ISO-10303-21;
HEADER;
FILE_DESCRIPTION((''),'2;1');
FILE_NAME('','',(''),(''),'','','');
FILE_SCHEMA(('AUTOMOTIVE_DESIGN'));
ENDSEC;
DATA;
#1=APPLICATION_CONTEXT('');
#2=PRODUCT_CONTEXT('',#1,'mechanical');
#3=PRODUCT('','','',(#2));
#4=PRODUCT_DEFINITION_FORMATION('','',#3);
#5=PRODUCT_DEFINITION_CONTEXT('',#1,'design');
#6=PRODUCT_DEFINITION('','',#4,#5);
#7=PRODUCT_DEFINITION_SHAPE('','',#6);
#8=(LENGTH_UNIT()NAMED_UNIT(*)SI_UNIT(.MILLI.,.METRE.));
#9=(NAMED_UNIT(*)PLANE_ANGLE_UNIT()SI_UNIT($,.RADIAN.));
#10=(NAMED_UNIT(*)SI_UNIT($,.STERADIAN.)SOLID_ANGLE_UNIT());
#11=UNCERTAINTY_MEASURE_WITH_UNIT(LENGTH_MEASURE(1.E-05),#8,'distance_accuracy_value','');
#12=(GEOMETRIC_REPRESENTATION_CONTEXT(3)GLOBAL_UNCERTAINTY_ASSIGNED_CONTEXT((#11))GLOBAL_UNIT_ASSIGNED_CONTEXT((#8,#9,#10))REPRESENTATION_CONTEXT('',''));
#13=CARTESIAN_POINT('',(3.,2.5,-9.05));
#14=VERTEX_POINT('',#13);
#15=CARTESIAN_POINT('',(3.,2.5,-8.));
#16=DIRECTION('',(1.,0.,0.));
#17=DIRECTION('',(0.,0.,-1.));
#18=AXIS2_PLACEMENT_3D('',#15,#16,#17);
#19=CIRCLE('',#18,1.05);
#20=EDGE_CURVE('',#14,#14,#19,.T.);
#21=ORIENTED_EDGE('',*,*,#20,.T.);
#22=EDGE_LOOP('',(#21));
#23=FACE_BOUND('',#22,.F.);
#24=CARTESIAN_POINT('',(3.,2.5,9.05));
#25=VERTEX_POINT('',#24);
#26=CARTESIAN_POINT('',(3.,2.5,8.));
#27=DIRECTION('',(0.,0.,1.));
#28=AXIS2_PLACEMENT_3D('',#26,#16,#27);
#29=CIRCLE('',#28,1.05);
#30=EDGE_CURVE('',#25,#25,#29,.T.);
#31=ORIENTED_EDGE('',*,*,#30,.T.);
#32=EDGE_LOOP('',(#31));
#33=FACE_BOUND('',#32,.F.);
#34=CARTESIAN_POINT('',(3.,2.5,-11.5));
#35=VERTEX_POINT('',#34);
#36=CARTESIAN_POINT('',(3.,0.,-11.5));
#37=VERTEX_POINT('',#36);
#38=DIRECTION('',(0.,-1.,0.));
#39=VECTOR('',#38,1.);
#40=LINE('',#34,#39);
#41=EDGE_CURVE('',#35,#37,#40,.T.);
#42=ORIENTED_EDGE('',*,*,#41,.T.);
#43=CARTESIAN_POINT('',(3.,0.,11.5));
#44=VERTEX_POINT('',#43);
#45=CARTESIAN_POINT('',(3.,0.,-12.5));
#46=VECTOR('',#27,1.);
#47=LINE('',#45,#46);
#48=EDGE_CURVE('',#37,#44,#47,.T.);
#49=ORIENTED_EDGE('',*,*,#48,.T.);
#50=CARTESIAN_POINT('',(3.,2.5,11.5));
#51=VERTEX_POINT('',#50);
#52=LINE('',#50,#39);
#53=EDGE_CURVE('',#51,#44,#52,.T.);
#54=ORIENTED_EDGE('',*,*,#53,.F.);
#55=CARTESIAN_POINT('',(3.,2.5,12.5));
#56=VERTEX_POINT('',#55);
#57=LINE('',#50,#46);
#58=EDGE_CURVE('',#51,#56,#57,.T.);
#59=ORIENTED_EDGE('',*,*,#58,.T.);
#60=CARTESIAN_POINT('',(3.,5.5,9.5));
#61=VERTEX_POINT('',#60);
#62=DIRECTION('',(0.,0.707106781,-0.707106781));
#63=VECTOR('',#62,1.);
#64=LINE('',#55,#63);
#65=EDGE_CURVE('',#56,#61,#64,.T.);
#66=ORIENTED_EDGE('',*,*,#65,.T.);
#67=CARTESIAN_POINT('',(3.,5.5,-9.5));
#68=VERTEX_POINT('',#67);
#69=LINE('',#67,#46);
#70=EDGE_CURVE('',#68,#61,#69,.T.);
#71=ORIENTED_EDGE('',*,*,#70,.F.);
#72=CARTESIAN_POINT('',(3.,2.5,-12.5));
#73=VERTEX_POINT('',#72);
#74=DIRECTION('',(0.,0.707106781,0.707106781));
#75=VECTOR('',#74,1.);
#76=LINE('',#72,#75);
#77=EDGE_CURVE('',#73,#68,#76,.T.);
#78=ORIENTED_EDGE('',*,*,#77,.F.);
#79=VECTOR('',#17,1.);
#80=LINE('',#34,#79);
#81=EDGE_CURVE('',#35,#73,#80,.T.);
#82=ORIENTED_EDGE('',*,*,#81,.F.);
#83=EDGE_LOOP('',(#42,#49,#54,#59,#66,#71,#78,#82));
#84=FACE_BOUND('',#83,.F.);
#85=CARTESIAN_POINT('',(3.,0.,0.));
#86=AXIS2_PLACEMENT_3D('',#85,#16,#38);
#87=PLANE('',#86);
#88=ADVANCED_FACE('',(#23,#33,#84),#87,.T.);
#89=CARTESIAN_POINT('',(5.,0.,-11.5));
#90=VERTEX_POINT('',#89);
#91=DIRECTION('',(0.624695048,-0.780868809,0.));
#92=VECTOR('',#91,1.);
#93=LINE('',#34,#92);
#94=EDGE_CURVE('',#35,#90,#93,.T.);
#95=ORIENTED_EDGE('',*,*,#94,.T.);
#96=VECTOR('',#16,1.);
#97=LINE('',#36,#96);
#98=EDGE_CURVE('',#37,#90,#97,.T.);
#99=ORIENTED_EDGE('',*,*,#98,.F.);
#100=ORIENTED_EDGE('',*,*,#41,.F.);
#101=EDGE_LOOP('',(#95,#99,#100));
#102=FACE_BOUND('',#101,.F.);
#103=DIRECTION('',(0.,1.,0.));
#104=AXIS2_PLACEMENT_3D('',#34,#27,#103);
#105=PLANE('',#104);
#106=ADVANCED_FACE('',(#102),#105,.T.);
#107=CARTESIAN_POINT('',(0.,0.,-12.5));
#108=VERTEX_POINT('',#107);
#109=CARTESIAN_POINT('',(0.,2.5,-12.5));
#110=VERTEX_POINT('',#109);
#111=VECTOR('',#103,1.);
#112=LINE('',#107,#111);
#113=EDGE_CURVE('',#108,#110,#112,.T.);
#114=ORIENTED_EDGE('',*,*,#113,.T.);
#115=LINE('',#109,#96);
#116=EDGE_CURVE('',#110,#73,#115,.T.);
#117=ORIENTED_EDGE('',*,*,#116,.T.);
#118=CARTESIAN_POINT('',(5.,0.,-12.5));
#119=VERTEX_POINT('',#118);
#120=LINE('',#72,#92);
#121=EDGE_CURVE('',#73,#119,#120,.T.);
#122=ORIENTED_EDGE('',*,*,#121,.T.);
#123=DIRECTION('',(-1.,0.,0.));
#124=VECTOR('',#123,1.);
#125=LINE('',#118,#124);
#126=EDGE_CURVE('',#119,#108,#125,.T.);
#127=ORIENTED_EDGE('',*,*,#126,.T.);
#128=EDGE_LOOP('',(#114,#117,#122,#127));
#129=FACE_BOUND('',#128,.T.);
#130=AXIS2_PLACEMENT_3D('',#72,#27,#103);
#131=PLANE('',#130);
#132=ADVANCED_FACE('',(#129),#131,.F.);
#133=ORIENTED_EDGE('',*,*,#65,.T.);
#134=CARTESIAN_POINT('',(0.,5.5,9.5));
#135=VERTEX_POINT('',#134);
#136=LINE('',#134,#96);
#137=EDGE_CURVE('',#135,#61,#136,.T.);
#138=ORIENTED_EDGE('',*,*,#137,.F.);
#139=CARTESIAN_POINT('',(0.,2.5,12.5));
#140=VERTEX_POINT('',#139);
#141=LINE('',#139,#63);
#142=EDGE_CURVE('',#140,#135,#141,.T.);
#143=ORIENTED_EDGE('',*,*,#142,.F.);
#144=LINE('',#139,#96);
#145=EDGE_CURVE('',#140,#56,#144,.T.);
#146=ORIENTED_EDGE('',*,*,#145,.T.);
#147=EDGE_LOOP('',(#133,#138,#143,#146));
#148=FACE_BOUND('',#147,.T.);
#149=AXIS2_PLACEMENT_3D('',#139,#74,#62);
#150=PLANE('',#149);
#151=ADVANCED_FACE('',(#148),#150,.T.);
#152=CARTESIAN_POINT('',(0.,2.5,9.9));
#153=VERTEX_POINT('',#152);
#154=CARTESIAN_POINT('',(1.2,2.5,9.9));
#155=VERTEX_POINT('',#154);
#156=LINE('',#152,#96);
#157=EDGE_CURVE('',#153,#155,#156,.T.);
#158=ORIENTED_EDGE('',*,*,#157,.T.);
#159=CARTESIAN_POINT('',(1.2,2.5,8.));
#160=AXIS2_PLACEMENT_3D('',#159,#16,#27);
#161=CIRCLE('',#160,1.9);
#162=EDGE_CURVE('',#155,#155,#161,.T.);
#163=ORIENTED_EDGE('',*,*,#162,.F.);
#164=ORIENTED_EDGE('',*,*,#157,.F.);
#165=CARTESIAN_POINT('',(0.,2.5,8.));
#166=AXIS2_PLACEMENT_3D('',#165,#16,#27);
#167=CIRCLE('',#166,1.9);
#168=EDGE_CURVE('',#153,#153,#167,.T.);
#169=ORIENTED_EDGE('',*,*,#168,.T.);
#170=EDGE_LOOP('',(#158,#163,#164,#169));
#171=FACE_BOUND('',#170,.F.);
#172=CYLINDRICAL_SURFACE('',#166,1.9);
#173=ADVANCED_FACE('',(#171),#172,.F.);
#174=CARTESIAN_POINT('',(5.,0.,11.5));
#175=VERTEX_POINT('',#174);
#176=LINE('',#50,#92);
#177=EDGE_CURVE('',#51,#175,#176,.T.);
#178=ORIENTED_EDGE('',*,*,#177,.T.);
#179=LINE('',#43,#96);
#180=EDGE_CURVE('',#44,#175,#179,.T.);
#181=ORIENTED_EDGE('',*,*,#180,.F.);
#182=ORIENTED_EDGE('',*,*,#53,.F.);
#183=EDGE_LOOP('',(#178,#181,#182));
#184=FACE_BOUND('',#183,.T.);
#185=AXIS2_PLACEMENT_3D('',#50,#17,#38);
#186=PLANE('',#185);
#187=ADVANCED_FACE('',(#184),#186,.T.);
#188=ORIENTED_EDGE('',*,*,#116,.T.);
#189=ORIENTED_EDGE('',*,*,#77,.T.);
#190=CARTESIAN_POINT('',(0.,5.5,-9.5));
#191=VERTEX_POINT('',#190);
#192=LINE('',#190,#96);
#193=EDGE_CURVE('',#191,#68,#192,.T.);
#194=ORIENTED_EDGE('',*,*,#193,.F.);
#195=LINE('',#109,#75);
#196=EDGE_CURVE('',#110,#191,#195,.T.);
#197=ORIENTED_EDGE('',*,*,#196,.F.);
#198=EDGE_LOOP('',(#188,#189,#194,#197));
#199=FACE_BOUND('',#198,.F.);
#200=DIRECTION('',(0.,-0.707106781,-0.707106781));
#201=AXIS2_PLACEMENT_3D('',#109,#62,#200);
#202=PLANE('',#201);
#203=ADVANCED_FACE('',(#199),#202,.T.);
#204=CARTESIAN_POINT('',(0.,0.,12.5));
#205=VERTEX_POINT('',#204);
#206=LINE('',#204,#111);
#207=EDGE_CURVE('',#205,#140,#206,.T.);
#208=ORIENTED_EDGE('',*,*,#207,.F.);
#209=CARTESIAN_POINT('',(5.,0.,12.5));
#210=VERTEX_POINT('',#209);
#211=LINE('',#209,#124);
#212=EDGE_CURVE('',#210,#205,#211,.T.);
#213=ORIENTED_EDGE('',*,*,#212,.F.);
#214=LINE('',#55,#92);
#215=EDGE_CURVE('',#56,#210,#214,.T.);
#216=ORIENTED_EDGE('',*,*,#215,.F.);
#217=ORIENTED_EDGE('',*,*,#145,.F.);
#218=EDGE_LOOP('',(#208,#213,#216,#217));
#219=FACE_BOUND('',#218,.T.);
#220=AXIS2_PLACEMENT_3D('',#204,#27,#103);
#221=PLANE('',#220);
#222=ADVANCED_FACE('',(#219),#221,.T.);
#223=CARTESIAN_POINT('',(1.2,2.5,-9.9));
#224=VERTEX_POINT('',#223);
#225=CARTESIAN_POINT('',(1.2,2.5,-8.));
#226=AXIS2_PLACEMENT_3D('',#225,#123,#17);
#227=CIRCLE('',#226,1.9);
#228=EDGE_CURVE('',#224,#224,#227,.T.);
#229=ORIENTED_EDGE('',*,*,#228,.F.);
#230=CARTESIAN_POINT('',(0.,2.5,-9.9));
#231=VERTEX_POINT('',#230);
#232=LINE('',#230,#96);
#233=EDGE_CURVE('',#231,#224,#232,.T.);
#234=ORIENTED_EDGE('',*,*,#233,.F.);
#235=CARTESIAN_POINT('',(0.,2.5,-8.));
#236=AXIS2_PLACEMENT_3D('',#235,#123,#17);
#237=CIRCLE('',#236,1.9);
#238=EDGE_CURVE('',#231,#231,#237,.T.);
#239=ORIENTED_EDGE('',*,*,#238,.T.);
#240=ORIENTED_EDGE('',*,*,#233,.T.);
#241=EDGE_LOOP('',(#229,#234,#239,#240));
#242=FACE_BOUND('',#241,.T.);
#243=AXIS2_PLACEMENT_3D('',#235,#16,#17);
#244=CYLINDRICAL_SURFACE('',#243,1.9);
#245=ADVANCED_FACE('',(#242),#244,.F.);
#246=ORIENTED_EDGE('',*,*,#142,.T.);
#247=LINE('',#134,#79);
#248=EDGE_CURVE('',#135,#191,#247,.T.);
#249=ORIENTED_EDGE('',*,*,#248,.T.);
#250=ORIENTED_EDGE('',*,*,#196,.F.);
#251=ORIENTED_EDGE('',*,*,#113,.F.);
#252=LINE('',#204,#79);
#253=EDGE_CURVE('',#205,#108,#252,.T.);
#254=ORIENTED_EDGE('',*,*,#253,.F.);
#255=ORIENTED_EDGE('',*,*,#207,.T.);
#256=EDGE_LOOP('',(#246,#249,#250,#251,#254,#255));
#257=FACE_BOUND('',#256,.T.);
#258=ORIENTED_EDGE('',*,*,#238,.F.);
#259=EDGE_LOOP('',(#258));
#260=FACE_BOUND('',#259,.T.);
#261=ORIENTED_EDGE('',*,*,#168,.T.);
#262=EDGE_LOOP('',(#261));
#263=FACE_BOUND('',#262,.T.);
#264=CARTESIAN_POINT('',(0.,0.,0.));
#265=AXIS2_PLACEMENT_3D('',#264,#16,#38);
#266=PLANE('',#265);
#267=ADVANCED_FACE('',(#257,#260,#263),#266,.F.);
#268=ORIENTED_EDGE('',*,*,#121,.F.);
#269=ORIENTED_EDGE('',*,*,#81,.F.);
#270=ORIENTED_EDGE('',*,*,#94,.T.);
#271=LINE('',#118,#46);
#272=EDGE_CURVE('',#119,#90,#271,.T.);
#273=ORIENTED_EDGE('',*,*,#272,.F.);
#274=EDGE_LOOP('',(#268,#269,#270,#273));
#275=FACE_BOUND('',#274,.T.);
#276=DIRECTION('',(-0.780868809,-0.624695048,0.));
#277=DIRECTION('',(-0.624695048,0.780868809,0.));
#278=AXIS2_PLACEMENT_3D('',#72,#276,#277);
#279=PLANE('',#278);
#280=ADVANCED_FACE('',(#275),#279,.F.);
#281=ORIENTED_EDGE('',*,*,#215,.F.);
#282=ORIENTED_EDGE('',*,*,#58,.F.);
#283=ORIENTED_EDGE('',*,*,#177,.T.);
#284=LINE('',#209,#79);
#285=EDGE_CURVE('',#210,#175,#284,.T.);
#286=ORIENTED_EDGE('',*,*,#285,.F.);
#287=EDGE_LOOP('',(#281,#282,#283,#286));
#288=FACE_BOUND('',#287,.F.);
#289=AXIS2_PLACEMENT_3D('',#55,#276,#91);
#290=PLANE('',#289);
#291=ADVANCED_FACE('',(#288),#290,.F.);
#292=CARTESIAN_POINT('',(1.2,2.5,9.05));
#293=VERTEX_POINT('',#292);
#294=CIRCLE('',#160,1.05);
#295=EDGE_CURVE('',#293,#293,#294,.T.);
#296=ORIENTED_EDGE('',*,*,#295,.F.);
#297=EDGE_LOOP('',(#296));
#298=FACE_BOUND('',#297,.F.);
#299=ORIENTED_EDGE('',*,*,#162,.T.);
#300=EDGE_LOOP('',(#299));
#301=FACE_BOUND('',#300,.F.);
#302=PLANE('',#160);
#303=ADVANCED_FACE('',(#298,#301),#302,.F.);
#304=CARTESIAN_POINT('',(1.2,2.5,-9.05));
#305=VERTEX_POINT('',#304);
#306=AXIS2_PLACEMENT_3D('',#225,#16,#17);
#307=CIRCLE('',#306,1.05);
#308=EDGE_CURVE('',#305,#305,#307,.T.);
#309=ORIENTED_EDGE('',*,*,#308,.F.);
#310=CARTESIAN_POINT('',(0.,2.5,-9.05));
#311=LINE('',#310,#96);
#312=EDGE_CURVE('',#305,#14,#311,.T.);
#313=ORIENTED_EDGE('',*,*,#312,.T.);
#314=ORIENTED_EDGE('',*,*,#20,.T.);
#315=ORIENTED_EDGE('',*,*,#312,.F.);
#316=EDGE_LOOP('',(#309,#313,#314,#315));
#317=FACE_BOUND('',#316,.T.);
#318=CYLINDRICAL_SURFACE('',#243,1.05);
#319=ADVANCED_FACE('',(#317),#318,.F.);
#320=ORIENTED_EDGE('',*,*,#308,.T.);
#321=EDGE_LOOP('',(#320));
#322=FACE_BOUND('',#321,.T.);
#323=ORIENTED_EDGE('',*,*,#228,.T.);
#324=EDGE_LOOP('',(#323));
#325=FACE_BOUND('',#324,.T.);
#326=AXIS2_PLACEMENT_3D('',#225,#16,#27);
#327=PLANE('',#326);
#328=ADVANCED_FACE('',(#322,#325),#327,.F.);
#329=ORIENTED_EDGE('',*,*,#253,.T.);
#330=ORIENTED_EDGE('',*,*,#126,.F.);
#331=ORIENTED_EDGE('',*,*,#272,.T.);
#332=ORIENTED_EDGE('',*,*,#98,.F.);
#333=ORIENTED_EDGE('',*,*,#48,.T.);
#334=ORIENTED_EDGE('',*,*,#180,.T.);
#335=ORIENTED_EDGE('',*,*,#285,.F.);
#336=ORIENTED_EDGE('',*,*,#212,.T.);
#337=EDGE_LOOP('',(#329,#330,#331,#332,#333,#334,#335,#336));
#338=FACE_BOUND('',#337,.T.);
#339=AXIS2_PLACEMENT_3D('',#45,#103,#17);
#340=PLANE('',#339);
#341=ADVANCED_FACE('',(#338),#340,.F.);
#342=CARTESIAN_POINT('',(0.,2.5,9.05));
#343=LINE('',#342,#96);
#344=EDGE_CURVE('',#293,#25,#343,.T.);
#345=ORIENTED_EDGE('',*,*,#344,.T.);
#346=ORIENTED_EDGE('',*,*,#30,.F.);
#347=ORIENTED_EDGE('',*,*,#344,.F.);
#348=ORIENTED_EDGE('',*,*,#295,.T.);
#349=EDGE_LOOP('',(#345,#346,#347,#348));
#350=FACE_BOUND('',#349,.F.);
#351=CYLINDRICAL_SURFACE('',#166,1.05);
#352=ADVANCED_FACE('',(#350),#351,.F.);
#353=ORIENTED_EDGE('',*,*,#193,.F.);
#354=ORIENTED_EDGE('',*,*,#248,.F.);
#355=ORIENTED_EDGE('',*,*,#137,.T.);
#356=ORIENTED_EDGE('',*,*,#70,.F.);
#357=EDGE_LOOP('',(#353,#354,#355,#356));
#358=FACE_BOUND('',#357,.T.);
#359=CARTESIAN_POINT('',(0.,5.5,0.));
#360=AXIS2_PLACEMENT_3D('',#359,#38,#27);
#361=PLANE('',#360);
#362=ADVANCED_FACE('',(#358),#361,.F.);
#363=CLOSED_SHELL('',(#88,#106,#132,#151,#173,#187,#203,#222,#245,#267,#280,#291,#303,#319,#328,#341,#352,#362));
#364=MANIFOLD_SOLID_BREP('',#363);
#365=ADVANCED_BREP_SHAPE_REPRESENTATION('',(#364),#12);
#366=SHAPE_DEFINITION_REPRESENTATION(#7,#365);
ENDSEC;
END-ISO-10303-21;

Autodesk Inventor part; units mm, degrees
ref_plane "YZ Plane" through (0, 0, 0) normal (1, 0, 0) x (0, 1, 0)
ref_plane "XZ Plane" through (0, 0, 0) normal (0, 1, 0) x (-1, 0, 0)
ref_plane "XY Plane" through (0, 0, 0) normal (0, 0, 1) x (1, 0, 0)
sketch "Sketch1" plane through (0, 0, 0) normal (1, 0, 0) x (0, 1, 0)
  line L0 (0, 0) -> (0, 8)
  line L1 (0, 8) -> (2.5, 8)
  circle A0 centre (2.5, 8) radius 1.05
  circle A1 centre (2.5, 8) radius 1.9
  dimension "d1" = 8
  dimension "d2" = 2.5
  dimension "d3" = 2.1
  dimension "d7" = 3.8
sketch "Sketch4" plane through (0, 0, 0) normal (1, 0, 0) x (0, 1, 0)
  line L0 (0, 0) -> (0, 3.5)
  line L1 (0, 3.5) -> (0, 12.5)
  line L2 (0, 12.5) -> (2.5, 12.5)
  line L3 (2.5, 12.5) -> (5.5, 12.5)
  line L4 (5.5, 12.5) -> (5.5, 9.5)
  line L5 (2.5, 12.5) -> (5.5, 9.5)
  line L6 (0, 0) -> (5.5, 0)
  line L7 (5.5, 0) -> (5.5, 9.5)
  dimension "d32" = 3.5
  dimension "d33" = 9
  dimension "d35" = 2.5
  dimension "d37" = 3
  dimension "d38" = 3
extrude "Extrusion3" add sketch "Sketch4" along normal blind 3 contours L0 L1 L2 L5 L7 L6
sketch "Sketch9" plane through (3, 0, 0) normal (1, 0, 0) x (0, 0, -1)
  line L0 (0, 0) -> (-3.5, 0)
  line L1 (-12.5, 0) -> (0, 0) projected
  line L2 (-3.5, 0) -> (-4.5, 0)
  line L3 (-3.5, 0) -> (-3.5, 2.5)
  line L4 (-3.5, 2.5) -> (-4.5, 2.5)
  line L5 (-4.5, 2.5) -> (-4.5, 0)
  line L6 (-4.5, 0) -> (-11.5, 0)
  line L7 (-11.5, 2.5) -> (-12.5, 2.5)
  line L8 (-11.5, 2.5) -> (-11.5, 0)
  line L9 (-12.5, 2.5) -> (-12.5, 0)
  line L10 (-12.5, 0) -> (-11.5, 0)
  dimension "d70" = 3.5
  dimension "d71" = 1
  dimension "d72" = 1
  dimension "d73" = 7
  dimension "d74" = 2.5
extrude "Extrusion4" add sketch "Sketch9" along normal blind 2 contours L9 L7 L8 L1
sketch "Sketch10" plane through (0, 0, 12.5) normal (0, 0, 1) x (1, 0, 0)
  line L0 (3, 0) -> (3, 5.5) projected
  line L1 (3, 0) -> (5, 0)
  line L2 (3, 0) -> (3, 2.5)
  line L3 (3, 2.5) -> (5, 2.5)
  line L4 (5, 2.5) -> (5, 0)
  line L5 (3, 2.5) -> (5, 0)
  point P0 (0, 0)
  dimension "d110" = 2
  dimension "d111" = 2.5
extrude "Extrusion9" cut sketch "Sketch10" against normal blind 1 contours L3 L4 L5
hole "Hole5" at (0, 2.5, 8) direction (1, 0, 0) diameter 3.8 depth 1.2
hole "Hole6" at (0, 2.5, 8) direction (1, 0, 0) diameter 2.1 end through all
mirror "Mirror3" about plane through (0, 0, 0) normal (0, 0, 1) of "Extrusion3", "Extrusion4", "Extrusion9", "Hole5", "Hole6"
equation "\"d38\" = d37"
equation "\"d90\" = d7"
equation "\"d97\" = d3"
properties part number "holes"
